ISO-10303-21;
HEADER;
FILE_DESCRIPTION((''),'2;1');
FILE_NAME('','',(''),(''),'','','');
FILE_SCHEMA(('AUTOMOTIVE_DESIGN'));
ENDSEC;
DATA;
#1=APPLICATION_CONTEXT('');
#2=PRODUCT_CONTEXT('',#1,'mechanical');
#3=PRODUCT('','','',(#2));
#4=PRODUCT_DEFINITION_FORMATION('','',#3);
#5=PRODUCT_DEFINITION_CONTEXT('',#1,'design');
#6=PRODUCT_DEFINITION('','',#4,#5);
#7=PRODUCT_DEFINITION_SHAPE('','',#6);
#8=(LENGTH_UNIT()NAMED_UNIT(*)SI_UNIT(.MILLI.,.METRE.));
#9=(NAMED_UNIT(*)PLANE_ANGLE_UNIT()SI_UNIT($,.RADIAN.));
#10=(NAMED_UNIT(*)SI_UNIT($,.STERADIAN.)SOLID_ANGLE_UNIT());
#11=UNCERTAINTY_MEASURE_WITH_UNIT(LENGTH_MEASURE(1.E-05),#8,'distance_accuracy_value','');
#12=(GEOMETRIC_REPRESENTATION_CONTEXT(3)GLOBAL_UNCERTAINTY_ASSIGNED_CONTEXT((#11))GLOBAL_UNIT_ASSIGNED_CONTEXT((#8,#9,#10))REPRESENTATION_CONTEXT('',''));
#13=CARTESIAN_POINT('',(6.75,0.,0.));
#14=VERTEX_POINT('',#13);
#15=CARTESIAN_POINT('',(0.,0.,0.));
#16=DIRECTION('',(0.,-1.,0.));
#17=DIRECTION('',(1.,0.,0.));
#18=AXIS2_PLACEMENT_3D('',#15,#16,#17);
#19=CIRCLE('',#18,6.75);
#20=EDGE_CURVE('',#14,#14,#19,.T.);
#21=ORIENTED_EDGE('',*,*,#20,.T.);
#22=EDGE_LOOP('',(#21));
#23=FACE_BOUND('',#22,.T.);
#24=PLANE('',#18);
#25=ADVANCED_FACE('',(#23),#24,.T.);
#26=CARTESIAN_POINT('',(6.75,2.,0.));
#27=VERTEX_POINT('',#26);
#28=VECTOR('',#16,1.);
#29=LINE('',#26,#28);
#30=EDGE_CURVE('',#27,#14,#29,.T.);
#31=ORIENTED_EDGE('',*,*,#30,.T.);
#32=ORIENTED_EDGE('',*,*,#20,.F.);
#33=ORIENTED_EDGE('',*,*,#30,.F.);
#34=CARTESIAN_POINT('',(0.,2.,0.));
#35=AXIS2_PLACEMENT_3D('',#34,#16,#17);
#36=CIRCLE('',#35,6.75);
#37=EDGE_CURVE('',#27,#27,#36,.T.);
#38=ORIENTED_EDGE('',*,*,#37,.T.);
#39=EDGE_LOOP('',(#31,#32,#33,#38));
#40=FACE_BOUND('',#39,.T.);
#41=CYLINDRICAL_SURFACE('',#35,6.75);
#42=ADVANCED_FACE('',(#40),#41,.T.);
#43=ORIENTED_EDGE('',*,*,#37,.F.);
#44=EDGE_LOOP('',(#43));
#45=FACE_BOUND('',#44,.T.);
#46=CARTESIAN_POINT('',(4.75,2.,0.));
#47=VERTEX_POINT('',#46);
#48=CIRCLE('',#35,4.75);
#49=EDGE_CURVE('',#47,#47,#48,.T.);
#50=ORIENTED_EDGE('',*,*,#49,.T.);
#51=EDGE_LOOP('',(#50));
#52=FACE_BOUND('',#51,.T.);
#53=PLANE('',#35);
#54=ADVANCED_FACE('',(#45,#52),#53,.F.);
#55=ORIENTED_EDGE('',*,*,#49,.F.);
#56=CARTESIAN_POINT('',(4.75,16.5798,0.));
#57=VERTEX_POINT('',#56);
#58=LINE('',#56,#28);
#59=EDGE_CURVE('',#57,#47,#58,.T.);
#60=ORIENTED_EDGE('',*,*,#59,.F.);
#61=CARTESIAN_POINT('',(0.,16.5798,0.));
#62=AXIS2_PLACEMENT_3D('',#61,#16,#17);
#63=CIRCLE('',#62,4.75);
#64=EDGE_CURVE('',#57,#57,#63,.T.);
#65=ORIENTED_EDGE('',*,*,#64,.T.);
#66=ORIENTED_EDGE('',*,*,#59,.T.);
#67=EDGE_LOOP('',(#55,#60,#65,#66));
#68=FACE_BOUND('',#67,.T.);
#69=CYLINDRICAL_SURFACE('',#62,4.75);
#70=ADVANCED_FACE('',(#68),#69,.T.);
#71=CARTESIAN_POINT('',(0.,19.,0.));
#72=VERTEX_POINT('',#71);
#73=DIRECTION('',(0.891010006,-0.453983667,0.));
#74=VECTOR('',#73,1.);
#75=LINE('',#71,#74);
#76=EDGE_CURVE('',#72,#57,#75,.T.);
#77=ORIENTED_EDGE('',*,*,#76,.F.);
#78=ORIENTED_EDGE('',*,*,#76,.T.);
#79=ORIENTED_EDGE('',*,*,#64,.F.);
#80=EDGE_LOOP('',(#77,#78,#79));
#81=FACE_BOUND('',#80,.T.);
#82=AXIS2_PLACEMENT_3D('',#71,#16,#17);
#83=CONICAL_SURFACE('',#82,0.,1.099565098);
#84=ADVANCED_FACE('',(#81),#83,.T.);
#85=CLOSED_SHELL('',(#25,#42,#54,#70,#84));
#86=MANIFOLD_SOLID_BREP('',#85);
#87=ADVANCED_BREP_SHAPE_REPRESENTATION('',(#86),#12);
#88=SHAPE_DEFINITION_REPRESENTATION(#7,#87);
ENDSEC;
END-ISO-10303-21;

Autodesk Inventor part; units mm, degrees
ref_plane "YZ Plane" through (0, 0, 0) normal (1, 0, 0) x (0, 1, 0)
ref_plane "XZ Plane" through (0, 0, 0) normal (0, 1, 0) x (-1, 0, 0)
ref_plane "XY Plane" through (0, 0, 0) normal (0, 0, 1) x (1, 0, 0)
sketch "Sketch1" plane through (0, 0, 0) normal (0, 0, 1) x (1, 0, 0)
  line L0 (4.75, 16.5798) -> (4.75, 2)
  line L1 (4.75, 2) -> (6.75, 2)
  line L2 (6.75, 2) -> (6.75, 0)
  line L3 (6.75, 0) -> (0, 0)
  line L4 (0, 20.9758) -> (0, -3.9256)
  line L5 (0, 19) -> (4.75, 16.5798)
  dimension "d0" = 2
  dimension "d1" = 2
  dimension "d3" = 9.5
  dimension "d5" = 117
  dimension "d6" = 19
revolve "Revolution1" add sketch "Sketch1" angle 360 about axis through (0, 20.9758, 0) along (0, -1, 0)
properties part number "PuntaMarcador"
